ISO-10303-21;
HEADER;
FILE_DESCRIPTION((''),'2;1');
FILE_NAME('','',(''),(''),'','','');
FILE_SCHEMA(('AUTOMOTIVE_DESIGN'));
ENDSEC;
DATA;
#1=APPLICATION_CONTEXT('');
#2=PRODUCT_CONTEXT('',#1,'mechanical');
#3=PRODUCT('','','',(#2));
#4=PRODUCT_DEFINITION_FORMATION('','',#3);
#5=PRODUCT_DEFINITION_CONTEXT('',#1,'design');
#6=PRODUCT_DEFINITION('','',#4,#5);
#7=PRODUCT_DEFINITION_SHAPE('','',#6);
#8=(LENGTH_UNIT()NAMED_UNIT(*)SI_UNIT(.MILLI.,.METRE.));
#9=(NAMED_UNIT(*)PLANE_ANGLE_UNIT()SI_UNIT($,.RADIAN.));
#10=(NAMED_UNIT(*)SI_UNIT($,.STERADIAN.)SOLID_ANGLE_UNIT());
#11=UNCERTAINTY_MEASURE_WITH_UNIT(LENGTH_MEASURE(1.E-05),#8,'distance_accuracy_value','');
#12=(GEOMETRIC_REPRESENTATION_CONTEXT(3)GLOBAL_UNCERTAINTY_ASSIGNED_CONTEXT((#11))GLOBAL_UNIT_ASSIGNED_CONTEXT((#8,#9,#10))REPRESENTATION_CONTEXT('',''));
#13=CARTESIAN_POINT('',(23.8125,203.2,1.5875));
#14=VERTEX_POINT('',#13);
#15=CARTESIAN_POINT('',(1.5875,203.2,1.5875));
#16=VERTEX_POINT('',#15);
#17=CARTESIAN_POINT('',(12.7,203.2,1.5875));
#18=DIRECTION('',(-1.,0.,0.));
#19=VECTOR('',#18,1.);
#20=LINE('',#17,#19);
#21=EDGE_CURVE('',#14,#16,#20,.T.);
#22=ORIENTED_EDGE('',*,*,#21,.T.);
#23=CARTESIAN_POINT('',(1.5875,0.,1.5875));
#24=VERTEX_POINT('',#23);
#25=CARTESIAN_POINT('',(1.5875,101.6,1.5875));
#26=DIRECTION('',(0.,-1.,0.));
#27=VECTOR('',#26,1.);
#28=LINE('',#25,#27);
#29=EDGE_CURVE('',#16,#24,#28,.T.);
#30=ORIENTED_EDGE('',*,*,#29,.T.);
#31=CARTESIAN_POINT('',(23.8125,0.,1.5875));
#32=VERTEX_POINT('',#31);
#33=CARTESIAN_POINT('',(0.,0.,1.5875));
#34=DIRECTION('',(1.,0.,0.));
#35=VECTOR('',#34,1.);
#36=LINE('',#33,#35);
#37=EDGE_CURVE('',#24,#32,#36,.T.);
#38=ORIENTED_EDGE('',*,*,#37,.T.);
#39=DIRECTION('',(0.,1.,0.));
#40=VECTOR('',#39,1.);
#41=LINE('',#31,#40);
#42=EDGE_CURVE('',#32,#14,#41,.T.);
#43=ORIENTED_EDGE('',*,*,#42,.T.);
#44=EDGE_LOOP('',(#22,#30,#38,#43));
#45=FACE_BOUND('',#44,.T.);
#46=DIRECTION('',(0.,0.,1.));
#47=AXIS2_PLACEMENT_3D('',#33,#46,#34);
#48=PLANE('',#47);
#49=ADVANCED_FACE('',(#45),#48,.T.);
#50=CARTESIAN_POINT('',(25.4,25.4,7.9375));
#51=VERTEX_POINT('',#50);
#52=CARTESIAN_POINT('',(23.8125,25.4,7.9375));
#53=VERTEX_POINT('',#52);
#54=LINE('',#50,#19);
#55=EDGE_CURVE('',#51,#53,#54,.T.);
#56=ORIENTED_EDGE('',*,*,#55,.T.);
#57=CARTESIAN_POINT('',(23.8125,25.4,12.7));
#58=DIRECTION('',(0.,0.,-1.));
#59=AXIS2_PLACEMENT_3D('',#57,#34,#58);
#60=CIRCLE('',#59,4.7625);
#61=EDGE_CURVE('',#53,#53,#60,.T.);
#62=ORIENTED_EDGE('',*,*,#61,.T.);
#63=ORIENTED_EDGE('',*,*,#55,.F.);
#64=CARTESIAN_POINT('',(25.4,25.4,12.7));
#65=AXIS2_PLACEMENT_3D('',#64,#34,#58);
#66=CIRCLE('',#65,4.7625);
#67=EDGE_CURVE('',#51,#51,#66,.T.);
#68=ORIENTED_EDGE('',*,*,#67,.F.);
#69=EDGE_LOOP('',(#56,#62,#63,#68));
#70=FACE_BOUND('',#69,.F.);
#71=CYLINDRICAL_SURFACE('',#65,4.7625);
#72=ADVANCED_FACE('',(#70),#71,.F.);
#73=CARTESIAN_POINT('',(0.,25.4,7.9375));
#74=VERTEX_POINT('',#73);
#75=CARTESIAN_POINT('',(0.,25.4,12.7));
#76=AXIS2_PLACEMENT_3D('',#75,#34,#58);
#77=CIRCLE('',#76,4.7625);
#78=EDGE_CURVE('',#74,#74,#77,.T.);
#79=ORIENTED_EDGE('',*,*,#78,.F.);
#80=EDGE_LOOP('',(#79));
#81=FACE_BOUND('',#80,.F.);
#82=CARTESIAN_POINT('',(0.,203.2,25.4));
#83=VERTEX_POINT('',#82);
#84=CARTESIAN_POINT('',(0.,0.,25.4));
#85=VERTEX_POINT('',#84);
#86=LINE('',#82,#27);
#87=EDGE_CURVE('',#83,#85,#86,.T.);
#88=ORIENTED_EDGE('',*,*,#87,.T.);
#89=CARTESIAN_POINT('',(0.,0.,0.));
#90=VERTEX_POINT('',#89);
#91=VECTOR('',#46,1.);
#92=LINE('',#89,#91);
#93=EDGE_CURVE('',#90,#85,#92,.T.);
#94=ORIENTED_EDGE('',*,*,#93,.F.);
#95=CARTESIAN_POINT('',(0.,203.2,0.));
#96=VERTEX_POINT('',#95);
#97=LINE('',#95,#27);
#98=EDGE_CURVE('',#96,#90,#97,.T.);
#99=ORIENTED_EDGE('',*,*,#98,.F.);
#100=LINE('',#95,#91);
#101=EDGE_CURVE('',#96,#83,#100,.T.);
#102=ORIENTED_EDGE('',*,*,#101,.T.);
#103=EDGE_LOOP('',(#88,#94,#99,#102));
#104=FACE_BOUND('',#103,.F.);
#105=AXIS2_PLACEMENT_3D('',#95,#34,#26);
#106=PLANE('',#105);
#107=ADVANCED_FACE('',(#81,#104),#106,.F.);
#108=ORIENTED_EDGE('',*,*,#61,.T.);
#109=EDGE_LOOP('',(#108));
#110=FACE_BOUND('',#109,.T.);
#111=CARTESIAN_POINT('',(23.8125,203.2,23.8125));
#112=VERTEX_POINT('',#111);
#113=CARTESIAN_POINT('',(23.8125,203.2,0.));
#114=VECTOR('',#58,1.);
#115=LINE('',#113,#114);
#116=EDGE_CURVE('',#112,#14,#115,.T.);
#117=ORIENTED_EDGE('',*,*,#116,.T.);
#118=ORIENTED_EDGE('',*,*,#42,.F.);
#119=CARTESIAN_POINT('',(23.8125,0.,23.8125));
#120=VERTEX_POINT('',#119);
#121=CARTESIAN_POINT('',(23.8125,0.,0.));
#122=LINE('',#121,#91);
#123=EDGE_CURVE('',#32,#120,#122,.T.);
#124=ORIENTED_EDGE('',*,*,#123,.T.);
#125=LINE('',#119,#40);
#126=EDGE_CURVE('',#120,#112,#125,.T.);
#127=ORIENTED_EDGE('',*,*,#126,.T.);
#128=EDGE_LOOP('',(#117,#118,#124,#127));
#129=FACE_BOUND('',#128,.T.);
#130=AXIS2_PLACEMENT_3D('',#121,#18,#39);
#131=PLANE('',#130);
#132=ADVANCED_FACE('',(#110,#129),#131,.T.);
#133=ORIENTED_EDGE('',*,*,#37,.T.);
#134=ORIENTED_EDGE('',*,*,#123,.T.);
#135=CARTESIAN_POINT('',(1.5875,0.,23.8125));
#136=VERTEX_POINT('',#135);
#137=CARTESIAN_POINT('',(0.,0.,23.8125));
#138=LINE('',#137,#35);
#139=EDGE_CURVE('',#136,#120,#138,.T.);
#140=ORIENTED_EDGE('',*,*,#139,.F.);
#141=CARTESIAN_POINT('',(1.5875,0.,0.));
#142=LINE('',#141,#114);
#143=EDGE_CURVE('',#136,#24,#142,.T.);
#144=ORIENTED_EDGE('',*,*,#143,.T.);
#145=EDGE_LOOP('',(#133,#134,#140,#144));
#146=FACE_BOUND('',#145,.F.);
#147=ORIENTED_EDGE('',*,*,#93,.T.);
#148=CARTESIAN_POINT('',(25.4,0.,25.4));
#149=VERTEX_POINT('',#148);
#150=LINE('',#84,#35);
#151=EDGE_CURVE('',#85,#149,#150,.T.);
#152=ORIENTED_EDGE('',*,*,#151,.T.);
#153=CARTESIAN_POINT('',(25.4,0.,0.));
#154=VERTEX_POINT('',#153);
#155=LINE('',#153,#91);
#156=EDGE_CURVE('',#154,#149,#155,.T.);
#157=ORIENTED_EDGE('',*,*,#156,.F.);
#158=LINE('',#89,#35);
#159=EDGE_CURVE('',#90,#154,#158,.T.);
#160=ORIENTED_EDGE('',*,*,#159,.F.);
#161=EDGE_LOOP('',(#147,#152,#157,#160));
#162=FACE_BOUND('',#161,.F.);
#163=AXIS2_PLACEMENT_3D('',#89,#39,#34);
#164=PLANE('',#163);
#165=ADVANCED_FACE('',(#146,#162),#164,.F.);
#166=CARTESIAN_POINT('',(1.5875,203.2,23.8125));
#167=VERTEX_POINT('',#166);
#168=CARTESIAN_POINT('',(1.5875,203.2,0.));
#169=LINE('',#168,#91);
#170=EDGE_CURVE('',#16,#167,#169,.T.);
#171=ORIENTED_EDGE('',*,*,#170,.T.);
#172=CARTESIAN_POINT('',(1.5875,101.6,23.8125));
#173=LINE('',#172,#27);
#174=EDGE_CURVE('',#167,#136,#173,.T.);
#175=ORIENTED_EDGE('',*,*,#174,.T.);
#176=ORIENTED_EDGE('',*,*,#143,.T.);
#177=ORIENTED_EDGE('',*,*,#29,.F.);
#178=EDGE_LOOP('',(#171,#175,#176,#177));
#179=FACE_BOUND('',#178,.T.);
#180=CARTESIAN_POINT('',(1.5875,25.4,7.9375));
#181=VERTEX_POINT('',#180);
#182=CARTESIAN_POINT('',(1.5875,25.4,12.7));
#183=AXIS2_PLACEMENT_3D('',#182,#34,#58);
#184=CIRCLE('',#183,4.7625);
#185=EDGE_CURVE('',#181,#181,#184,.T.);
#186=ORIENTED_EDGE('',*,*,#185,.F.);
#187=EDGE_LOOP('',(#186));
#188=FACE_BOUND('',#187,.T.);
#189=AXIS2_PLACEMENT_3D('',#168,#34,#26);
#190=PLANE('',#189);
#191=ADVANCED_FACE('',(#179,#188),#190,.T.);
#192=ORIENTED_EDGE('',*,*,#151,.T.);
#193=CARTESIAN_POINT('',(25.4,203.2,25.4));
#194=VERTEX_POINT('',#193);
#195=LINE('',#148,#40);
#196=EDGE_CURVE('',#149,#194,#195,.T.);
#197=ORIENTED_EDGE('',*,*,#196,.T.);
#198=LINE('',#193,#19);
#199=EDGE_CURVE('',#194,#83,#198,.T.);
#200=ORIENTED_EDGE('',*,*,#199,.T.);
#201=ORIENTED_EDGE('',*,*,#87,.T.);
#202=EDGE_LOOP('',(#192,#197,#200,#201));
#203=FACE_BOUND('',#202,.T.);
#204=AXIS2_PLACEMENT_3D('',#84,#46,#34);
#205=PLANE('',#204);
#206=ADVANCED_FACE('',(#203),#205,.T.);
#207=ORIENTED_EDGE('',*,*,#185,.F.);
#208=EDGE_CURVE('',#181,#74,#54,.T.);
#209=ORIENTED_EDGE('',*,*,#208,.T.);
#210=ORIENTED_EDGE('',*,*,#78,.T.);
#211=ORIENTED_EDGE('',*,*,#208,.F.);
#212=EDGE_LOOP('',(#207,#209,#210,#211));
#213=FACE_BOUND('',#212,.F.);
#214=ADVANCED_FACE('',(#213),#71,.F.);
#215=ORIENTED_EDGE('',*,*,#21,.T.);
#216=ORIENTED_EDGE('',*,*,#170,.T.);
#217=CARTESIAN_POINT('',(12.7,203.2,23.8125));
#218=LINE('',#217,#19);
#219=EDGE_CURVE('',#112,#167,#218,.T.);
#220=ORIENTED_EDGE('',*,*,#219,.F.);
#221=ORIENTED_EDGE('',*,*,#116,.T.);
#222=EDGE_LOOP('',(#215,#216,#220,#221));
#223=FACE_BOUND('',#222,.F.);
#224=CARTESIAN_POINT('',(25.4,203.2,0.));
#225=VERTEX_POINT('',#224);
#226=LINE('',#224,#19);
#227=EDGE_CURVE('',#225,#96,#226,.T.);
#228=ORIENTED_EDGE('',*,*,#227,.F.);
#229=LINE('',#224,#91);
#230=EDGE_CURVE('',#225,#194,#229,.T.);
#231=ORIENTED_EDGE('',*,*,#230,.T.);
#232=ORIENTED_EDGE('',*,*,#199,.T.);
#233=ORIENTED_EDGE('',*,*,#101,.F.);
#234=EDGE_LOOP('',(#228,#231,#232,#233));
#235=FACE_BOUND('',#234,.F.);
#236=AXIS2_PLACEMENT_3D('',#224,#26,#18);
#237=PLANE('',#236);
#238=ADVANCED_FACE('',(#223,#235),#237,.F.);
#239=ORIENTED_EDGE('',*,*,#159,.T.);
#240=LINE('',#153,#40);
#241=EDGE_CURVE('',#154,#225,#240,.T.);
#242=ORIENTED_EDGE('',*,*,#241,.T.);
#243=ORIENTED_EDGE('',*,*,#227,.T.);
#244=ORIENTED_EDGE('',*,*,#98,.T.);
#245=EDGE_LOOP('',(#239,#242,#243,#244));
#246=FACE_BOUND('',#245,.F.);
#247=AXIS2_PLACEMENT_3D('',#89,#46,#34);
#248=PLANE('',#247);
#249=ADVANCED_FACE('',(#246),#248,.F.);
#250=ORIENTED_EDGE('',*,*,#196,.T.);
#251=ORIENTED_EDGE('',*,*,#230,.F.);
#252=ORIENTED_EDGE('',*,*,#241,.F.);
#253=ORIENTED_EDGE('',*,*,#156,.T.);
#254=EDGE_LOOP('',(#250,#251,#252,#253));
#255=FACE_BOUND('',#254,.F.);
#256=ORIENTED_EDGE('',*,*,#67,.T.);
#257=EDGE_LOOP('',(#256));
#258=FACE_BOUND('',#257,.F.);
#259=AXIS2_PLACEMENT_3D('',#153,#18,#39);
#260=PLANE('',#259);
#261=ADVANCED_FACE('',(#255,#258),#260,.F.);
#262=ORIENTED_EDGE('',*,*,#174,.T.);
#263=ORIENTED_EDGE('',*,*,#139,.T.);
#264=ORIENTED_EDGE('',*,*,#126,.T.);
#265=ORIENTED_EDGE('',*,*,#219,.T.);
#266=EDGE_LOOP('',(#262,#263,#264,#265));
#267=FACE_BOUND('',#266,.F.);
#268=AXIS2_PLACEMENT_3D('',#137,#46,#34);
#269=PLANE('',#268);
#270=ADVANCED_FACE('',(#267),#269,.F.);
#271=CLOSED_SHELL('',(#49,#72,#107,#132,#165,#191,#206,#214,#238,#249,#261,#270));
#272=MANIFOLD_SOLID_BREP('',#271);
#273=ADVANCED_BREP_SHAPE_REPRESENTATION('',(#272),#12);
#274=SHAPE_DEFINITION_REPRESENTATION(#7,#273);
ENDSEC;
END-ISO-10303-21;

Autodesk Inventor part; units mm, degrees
ref_plane "YZ Plane" through (0, 0, 0) normal (1, 0, 0) x (0, 1, 0)
ref_plane "XZ Plane" through (0, 0, 0) normal (0, 1, 0) x (-1, 0, 0)
ref_plane "XY Plane" through (0, 0, 0) normal (0, 0, 1) x (1, 0, 0)
sketch "Sketch1" plane through (0, 0, 0) normal (0, 0, 1) x (1, 0, 0)
  line L0 (0, 0) -> (25.4, 0)
  line L1 (25.4, 0) -> (25.4, 203.2)
  line L2 (25.4, 203.2) -> (0, 203.2)
  line L3 (0, 203.2) -> (0, 0)
  dimension "d0" = 203.2
  dimension "d1" = 25.4
extrude "Extrusion1" add sketch "Sketch1" along normal blind 25.4
shell "Shell1" thickness 1.5875 removed faces 2 at (16.9333, 203.2, 8.4667) at (8.4667, 0, 8.4667)
sketch "Sketch2" plane through (25.4, 0, 0) normal (1, 0, 0) x (0, 0, -1)
  line L0 (-25.4, 203.2) -> (-25.4, 0) projected
  line L1 (0, 0) -> (-25.4, 0) projected
  circle A0 centre (-12.7, 25.4) radius 4.7625
  dimension "d5" = 25.4
  dimension "d6" = 12.7
  dimension "d7" = 9.525
extrude "Extrusion2" cut sketch "Sketch2" against normal through all
properties part number "VerticalConveyorSupport" material "Aluminum-6061"
